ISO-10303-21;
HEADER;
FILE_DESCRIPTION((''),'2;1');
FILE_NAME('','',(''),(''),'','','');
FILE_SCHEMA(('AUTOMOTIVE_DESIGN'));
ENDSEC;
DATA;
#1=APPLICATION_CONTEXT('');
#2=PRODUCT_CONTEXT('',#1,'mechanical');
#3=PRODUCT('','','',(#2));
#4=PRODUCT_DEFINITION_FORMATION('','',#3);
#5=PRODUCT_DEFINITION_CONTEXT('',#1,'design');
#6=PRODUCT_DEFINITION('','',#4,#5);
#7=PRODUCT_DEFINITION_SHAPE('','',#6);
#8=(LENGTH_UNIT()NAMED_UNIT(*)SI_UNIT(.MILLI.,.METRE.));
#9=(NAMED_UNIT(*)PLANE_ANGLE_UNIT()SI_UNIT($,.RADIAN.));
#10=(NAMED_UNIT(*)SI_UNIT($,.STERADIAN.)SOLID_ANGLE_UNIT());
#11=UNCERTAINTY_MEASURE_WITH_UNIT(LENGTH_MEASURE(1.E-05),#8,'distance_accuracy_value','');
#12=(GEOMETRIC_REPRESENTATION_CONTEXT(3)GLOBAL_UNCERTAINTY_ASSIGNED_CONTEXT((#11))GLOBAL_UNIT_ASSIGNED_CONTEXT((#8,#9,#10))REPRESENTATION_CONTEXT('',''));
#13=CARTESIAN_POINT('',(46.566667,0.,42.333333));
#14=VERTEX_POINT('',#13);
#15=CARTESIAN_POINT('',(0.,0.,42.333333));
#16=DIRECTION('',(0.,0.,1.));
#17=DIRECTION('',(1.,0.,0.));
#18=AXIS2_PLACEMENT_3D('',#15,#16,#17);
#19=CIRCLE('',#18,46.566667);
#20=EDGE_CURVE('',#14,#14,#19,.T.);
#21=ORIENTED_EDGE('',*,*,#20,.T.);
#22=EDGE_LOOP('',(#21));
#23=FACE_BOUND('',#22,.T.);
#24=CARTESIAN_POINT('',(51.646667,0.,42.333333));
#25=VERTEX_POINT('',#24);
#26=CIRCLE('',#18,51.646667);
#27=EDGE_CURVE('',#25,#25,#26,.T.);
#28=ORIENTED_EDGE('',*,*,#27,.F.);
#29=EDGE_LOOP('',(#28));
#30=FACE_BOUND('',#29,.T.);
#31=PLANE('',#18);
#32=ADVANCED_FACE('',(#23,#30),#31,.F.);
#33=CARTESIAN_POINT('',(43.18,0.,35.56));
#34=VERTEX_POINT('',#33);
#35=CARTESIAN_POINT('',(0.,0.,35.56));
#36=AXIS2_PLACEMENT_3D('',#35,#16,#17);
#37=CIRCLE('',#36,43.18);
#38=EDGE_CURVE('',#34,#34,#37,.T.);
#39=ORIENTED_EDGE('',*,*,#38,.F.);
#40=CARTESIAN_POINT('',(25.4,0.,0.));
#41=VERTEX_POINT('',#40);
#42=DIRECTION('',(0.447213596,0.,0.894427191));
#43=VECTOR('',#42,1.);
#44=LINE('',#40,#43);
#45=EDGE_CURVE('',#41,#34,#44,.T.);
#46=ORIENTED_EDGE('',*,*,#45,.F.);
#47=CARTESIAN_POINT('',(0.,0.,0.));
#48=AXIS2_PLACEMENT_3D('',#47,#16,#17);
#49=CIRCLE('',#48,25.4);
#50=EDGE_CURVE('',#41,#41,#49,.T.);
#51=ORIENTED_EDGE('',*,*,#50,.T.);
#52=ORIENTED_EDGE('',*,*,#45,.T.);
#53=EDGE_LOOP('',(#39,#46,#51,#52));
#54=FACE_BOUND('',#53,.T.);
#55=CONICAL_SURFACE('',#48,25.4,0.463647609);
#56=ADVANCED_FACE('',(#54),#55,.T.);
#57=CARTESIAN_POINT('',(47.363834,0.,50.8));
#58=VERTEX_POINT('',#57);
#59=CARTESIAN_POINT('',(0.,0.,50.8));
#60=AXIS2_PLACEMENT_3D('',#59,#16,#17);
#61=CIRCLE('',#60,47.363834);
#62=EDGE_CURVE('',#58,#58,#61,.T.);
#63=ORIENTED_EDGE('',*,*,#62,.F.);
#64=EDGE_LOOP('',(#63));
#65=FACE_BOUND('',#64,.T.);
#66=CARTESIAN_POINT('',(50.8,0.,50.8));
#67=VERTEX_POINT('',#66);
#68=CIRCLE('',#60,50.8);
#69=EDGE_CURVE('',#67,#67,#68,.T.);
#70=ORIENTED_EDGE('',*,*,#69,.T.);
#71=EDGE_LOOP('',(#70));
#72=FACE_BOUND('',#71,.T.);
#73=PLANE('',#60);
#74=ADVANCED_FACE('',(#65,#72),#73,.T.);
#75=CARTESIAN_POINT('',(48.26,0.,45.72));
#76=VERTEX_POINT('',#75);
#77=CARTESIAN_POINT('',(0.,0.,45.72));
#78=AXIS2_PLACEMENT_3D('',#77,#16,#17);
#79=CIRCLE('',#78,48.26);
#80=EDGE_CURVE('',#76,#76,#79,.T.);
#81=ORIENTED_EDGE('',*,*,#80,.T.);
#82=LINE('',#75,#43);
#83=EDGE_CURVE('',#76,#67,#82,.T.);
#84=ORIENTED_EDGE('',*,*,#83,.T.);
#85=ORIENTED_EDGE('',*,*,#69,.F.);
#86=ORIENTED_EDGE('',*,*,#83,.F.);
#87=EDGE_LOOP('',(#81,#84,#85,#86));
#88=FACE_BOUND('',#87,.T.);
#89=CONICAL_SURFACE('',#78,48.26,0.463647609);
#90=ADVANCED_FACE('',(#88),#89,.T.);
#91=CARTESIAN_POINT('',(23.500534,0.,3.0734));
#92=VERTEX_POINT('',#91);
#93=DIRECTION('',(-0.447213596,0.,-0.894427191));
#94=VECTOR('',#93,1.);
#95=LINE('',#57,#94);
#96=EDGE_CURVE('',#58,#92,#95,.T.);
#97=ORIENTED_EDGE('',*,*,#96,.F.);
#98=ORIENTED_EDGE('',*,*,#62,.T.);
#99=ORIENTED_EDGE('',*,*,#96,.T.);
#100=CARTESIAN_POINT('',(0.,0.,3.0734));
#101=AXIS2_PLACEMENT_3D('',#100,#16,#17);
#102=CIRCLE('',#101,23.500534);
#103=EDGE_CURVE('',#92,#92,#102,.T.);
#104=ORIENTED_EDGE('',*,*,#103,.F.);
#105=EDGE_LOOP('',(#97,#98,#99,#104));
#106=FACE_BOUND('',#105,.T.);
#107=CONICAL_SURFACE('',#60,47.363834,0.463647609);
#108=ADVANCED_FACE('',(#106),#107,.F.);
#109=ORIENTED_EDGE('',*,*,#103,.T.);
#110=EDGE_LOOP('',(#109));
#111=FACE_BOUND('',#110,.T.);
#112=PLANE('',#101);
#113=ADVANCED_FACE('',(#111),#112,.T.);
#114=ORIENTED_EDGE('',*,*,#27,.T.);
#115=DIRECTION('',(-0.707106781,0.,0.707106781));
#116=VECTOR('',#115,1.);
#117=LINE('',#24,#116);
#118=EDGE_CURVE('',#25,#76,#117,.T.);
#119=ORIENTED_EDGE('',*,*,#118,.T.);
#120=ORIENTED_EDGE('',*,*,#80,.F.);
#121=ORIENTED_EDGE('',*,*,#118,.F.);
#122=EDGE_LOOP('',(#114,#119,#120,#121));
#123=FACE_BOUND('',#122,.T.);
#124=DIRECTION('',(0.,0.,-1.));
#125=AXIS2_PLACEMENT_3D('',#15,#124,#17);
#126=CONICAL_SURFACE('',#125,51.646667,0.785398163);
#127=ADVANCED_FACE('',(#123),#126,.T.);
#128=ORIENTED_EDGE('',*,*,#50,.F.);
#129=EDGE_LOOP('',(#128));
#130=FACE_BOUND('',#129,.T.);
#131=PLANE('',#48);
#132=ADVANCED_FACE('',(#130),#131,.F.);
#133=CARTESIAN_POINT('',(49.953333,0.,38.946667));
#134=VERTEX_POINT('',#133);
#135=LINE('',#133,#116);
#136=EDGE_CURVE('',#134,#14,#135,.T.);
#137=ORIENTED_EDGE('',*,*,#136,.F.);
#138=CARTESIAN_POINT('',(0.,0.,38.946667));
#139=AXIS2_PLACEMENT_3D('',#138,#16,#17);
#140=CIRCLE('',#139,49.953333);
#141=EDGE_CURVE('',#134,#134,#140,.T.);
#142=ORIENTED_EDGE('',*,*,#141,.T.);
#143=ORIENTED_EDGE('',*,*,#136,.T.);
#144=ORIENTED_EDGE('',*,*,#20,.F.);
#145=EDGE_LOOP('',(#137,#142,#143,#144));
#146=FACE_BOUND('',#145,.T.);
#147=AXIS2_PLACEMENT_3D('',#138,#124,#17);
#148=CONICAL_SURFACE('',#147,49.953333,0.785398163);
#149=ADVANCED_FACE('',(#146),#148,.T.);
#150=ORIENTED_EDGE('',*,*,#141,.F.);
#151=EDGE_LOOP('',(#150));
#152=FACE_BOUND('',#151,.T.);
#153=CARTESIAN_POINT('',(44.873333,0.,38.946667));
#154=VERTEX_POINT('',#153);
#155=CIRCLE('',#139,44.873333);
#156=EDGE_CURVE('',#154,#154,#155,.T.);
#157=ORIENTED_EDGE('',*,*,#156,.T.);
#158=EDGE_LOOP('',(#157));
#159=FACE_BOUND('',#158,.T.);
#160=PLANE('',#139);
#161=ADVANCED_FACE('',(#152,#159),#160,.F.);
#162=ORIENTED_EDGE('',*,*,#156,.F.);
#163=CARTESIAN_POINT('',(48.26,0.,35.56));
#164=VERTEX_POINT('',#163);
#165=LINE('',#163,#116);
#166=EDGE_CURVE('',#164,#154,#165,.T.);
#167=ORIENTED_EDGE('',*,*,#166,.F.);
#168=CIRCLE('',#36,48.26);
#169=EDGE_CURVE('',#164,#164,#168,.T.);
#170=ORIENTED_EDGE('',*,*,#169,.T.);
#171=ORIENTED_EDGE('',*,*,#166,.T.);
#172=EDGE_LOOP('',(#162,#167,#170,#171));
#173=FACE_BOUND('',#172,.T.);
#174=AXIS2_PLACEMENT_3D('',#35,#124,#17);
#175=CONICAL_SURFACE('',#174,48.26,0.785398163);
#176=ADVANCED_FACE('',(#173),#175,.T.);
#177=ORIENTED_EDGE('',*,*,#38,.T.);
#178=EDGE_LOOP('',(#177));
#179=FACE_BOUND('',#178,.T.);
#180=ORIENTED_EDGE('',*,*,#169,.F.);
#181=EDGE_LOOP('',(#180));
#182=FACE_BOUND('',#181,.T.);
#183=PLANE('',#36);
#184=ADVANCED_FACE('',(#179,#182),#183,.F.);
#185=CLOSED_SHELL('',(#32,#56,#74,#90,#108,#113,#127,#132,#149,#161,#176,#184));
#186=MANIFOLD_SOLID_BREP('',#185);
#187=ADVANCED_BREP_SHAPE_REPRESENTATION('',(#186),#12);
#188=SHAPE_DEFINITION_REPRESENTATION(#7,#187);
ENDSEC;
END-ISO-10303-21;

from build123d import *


with BuildPart() as f1:
    # F0 (on Front) → F1 (revolve)
    with BuildSketch(Plane.XZ):
        Polygon((0, 3.0734), (0, 0), (25.4, 0), (43.18, 35.56), (44.873333, 38.946667), (46.566667, 42.333333), (48.26, 45.72), (50.8, 50.8), (47.363834, 50.8), (23.500534, 3.0734), align=None)
        Polygon((48.26, 45.72), (46.566667, 42.333333), (51.646667, 42.333333), align=None)
        Polygon((46.566667, 42.333333), (44.873333, 38.946667), (49.953333, 38.946667), align=None)
        Polygon((44.873333, 38.946667), (43.18, 35.56), (48.26, 35.56), align=None)
    revolve(axis=Axis((0, 0, 25.4), (0, 0, 1)))


solid = f1.part
